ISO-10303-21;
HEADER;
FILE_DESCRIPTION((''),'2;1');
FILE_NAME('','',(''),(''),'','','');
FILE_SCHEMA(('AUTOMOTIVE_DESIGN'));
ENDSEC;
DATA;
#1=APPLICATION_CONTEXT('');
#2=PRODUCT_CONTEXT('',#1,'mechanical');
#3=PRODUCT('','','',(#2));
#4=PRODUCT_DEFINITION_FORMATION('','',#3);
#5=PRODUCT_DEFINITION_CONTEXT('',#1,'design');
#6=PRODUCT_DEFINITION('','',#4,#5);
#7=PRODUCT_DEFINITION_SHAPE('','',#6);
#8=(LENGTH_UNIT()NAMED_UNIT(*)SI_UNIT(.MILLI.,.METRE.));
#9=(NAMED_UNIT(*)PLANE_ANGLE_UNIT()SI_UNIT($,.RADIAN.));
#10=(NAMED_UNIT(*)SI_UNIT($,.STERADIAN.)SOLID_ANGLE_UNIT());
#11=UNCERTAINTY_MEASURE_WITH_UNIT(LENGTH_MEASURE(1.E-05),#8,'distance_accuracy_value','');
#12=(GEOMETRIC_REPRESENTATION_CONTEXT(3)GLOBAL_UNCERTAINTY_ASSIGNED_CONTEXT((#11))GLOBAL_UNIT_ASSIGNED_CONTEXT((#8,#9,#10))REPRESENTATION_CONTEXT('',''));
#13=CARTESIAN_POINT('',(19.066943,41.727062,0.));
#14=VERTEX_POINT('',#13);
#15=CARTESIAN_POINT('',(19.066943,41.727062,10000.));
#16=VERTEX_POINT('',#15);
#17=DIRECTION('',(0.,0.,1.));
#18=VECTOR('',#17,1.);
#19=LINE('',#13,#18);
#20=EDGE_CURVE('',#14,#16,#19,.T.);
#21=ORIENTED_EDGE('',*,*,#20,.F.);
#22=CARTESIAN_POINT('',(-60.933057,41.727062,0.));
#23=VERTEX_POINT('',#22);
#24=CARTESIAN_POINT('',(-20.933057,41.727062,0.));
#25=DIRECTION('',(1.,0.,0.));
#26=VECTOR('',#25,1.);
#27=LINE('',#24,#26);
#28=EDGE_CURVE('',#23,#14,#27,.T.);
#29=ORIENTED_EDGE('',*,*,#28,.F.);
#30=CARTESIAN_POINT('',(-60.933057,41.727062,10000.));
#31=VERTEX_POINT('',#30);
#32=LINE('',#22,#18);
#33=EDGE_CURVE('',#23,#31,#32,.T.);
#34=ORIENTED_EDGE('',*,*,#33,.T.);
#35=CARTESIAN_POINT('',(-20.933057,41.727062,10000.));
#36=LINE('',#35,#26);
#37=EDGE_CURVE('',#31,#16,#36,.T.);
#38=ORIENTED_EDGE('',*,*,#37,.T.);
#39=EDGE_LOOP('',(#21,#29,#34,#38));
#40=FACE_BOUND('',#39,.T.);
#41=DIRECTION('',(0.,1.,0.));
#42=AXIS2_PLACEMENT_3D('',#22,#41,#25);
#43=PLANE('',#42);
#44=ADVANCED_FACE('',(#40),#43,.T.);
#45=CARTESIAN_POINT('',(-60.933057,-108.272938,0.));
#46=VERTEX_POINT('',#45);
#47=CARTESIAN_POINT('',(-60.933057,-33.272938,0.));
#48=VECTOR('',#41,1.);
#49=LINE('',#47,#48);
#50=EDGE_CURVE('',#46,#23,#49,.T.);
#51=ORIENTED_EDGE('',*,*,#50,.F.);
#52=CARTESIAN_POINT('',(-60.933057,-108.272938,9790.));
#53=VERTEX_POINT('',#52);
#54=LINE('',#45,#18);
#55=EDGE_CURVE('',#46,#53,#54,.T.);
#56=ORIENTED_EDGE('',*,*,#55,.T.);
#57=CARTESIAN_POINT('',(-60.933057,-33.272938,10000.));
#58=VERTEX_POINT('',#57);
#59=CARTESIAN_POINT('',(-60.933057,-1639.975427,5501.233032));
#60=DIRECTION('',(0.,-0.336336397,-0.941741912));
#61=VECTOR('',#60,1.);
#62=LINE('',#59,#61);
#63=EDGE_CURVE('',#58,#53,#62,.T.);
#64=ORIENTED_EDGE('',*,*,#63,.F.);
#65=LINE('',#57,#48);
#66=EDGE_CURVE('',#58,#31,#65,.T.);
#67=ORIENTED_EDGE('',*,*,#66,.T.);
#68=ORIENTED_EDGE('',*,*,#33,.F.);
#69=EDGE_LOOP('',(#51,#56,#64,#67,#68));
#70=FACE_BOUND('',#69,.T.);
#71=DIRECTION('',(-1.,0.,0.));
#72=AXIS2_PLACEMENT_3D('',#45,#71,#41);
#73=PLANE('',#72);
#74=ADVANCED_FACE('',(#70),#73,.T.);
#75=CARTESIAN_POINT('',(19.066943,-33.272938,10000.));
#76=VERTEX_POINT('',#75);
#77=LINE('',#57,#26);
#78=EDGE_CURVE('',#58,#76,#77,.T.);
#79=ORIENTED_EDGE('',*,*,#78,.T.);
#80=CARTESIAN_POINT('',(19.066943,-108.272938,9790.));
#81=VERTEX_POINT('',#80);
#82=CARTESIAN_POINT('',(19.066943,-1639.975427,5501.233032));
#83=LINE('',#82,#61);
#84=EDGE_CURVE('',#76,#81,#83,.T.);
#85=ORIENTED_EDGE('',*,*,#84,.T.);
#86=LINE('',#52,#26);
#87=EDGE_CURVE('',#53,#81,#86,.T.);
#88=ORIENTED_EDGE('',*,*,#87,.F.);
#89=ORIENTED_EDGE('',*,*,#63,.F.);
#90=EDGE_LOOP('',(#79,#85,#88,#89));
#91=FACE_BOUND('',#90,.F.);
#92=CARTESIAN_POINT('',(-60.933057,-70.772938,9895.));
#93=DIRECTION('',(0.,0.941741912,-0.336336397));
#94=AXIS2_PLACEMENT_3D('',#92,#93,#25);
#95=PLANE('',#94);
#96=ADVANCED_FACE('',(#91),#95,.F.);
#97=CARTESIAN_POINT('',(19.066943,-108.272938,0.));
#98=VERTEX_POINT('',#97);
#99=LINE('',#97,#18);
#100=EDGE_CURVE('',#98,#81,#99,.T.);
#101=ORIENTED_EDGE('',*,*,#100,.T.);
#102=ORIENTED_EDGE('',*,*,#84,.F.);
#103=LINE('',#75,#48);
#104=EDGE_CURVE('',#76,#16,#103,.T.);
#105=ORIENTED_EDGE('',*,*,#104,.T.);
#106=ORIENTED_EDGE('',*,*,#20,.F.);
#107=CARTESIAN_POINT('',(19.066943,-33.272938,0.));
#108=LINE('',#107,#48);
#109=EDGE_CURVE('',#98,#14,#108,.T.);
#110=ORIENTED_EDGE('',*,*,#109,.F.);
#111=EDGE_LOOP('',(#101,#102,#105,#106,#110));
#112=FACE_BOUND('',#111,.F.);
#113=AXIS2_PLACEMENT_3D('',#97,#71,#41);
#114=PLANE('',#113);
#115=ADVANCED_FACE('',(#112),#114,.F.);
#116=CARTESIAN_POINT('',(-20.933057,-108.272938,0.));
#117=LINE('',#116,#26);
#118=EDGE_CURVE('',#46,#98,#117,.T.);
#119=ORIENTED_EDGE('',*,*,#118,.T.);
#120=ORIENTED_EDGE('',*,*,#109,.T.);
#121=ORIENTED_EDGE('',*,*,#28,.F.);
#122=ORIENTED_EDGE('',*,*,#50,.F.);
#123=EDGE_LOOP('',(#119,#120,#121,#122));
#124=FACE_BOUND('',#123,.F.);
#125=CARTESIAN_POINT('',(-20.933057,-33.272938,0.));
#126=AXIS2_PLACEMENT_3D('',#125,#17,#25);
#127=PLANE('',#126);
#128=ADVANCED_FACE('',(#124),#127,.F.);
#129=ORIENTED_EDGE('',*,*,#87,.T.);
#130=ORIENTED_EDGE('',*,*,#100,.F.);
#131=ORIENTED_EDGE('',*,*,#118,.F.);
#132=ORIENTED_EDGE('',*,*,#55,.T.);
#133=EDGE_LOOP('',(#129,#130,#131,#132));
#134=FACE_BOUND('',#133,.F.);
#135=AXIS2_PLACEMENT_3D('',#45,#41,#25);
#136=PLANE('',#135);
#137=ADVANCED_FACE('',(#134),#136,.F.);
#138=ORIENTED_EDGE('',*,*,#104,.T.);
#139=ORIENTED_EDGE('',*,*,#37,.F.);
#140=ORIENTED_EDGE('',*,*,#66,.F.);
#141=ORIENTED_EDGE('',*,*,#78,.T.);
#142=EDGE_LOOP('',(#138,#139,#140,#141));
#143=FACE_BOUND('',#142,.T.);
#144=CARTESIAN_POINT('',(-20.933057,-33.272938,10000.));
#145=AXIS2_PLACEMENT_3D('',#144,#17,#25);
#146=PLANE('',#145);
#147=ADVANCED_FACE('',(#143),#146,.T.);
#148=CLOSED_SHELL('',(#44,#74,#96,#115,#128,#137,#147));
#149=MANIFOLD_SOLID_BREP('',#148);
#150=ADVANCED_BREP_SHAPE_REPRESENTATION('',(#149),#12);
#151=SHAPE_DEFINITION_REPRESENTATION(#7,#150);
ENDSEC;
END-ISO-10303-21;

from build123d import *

# Parameters (mm, degrees)
F0_W     = 80
F0_H     = 150
F1_DEPTH = 10000
F2_SIZE2 = 210
F2_SIZE  = 75


with BuildPart() as f1:
    # F0 (on Top) → F1 (new body)
    with BuildSketch(Plane.XY):
        with Locations((-20.9330572265, -33.2729384303)):
            Rectangle(F0_W, F0_H)
    extrude(amount=F1_DEPTH)

    # F2
    f2_edges = [f1.edges().sort_by_distance(p)[0] for p in [
        (-20.933057, -108.272938, 10000),
    ]]
    f2_side = f1.faces().sort_by_distance((-20.933057, -33.272938, 10000))[0]
    chamfer(f2_edges, length=F2_SIZE, length2=F2_SIZE2, reference=f2_side)


solid = f1.part
